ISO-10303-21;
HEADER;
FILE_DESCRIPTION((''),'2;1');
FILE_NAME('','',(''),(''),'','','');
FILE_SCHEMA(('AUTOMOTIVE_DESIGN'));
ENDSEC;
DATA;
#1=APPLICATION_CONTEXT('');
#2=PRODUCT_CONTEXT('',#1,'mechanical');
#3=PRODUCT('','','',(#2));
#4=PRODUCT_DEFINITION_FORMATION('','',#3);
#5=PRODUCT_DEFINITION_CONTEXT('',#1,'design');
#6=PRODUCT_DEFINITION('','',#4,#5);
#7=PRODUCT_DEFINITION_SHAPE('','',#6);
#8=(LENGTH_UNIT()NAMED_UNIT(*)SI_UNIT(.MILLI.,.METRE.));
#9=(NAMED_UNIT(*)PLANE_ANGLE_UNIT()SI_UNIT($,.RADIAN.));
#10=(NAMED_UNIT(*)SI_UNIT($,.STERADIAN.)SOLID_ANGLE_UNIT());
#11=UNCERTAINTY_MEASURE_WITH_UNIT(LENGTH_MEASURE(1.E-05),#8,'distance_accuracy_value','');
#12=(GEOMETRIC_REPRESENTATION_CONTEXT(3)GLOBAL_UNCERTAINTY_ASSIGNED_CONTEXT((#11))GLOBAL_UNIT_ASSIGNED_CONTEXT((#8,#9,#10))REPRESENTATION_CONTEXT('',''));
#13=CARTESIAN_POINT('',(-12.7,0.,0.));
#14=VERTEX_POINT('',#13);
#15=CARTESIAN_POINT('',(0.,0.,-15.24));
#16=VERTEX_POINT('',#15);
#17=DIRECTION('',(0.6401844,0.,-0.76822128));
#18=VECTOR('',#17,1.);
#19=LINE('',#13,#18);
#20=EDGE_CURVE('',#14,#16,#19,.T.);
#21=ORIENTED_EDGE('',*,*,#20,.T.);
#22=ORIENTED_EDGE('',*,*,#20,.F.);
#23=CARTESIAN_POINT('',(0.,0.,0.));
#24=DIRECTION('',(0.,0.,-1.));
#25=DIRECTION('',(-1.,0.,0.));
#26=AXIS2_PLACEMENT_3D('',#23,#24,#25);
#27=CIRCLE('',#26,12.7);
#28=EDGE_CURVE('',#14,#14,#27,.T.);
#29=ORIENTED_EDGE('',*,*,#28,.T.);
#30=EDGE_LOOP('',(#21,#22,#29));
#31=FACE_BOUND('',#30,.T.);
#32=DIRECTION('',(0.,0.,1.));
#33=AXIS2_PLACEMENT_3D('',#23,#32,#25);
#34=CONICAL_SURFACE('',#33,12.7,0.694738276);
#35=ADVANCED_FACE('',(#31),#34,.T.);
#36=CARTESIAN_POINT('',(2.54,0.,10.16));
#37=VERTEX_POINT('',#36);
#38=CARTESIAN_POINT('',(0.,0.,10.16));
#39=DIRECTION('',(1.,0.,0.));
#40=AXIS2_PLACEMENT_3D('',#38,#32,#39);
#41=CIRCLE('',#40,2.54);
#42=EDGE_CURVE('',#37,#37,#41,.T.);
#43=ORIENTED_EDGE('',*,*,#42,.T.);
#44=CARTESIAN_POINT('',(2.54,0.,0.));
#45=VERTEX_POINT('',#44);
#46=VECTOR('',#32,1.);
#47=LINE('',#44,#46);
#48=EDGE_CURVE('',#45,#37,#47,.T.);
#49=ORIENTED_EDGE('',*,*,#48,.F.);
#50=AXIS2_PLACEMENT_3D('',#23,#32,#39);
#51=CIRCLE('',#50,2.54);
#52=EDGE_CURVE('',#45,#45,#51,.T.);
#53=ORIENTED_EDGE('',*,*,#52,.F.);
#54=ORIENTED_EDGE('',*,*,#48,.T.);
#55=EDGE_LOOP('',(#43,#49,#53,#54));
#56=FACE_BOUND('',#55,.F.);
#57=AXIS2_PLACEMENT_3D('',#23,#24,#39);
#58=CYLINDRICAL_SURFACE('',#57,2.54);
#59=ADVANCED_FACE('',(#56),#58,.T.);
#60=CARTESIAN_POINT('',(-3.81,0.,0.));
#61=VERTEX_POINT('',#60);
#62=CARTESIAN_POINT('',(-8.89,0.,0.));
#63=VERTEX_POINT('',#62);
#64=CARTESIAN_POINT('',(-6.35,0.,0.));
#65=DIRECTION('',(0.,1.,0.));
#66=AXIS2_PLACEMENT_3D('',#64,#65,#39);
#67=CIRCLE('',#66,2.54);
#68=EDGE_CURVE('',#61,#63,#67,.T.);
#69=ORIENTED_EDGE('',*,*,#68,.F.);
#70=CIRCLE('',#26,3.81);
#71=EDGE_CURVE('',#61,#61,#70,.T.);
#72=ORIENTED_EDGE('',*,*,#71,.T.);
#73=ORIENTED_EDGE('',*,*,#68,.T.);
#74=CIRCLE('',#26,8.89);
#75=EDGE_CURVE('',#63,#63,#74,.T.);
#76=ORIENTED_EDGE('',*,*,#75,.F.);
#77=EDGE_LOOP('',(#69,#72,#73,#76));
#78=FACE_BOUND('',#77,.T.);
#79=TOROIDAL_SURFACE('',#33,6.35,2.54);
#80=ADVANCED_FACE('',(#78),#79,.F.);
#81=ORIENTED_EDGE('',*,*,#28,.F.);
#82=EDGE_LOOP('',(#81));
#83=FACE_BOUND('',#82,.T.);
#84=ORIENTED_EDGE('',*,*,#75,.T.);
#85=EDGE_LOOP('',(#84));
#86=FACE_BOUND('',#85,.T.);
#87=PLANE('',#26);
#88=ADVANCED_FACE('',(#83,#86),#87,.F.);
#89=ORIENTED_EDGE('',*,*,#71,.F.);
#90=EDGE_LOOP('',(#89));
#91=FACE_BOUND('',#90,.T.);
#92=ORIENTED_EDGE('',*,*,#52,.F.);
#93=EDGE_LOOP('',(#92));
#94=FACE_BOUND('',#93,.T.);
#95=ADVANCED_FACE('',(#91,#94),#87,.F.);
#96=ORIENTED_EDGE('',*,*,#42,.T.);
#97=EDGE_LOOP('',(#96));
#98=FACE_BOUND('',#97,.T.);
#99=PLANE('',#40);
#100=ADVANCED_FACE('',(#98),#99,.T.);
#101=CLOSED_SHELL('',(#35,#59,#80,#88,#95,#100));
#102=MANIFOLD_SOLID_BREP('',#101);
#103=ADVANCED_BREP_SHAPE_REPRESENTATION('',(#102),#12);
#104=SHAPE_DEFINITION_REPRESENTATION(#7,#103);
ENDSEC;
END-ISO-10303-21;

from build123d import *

# Parameters (mm, degrees)
F2_R     = 2.54
F3_DEPTH = 10.16


with BuildPart() as f1:
    # F0 (on Front) → F1 (revolve)
    with BuildSketch(Plane.XZ):
        with BuildLine():
            Line((0, -15.24), (0, 0))
            Line((0, 0), (-3.81, 0))
            ThreePointArc((-3.81, 0), (-6.35, -2.54), (-8.89, 0))
            Line((-8.89, 0), (-12.7, 0))
            Line((-12.7, 0), (0, -15.24))
        make_face()
    revolve(axis=Axis((0, 0, -7.62), (0, 0, -1)))

    # F2 (on face) → F3 (join)
    with BuildSketch(Plane.XY):
        Circle(F2_R)
    extrude(amount=F3_DEPTH)


solid = f1.part
